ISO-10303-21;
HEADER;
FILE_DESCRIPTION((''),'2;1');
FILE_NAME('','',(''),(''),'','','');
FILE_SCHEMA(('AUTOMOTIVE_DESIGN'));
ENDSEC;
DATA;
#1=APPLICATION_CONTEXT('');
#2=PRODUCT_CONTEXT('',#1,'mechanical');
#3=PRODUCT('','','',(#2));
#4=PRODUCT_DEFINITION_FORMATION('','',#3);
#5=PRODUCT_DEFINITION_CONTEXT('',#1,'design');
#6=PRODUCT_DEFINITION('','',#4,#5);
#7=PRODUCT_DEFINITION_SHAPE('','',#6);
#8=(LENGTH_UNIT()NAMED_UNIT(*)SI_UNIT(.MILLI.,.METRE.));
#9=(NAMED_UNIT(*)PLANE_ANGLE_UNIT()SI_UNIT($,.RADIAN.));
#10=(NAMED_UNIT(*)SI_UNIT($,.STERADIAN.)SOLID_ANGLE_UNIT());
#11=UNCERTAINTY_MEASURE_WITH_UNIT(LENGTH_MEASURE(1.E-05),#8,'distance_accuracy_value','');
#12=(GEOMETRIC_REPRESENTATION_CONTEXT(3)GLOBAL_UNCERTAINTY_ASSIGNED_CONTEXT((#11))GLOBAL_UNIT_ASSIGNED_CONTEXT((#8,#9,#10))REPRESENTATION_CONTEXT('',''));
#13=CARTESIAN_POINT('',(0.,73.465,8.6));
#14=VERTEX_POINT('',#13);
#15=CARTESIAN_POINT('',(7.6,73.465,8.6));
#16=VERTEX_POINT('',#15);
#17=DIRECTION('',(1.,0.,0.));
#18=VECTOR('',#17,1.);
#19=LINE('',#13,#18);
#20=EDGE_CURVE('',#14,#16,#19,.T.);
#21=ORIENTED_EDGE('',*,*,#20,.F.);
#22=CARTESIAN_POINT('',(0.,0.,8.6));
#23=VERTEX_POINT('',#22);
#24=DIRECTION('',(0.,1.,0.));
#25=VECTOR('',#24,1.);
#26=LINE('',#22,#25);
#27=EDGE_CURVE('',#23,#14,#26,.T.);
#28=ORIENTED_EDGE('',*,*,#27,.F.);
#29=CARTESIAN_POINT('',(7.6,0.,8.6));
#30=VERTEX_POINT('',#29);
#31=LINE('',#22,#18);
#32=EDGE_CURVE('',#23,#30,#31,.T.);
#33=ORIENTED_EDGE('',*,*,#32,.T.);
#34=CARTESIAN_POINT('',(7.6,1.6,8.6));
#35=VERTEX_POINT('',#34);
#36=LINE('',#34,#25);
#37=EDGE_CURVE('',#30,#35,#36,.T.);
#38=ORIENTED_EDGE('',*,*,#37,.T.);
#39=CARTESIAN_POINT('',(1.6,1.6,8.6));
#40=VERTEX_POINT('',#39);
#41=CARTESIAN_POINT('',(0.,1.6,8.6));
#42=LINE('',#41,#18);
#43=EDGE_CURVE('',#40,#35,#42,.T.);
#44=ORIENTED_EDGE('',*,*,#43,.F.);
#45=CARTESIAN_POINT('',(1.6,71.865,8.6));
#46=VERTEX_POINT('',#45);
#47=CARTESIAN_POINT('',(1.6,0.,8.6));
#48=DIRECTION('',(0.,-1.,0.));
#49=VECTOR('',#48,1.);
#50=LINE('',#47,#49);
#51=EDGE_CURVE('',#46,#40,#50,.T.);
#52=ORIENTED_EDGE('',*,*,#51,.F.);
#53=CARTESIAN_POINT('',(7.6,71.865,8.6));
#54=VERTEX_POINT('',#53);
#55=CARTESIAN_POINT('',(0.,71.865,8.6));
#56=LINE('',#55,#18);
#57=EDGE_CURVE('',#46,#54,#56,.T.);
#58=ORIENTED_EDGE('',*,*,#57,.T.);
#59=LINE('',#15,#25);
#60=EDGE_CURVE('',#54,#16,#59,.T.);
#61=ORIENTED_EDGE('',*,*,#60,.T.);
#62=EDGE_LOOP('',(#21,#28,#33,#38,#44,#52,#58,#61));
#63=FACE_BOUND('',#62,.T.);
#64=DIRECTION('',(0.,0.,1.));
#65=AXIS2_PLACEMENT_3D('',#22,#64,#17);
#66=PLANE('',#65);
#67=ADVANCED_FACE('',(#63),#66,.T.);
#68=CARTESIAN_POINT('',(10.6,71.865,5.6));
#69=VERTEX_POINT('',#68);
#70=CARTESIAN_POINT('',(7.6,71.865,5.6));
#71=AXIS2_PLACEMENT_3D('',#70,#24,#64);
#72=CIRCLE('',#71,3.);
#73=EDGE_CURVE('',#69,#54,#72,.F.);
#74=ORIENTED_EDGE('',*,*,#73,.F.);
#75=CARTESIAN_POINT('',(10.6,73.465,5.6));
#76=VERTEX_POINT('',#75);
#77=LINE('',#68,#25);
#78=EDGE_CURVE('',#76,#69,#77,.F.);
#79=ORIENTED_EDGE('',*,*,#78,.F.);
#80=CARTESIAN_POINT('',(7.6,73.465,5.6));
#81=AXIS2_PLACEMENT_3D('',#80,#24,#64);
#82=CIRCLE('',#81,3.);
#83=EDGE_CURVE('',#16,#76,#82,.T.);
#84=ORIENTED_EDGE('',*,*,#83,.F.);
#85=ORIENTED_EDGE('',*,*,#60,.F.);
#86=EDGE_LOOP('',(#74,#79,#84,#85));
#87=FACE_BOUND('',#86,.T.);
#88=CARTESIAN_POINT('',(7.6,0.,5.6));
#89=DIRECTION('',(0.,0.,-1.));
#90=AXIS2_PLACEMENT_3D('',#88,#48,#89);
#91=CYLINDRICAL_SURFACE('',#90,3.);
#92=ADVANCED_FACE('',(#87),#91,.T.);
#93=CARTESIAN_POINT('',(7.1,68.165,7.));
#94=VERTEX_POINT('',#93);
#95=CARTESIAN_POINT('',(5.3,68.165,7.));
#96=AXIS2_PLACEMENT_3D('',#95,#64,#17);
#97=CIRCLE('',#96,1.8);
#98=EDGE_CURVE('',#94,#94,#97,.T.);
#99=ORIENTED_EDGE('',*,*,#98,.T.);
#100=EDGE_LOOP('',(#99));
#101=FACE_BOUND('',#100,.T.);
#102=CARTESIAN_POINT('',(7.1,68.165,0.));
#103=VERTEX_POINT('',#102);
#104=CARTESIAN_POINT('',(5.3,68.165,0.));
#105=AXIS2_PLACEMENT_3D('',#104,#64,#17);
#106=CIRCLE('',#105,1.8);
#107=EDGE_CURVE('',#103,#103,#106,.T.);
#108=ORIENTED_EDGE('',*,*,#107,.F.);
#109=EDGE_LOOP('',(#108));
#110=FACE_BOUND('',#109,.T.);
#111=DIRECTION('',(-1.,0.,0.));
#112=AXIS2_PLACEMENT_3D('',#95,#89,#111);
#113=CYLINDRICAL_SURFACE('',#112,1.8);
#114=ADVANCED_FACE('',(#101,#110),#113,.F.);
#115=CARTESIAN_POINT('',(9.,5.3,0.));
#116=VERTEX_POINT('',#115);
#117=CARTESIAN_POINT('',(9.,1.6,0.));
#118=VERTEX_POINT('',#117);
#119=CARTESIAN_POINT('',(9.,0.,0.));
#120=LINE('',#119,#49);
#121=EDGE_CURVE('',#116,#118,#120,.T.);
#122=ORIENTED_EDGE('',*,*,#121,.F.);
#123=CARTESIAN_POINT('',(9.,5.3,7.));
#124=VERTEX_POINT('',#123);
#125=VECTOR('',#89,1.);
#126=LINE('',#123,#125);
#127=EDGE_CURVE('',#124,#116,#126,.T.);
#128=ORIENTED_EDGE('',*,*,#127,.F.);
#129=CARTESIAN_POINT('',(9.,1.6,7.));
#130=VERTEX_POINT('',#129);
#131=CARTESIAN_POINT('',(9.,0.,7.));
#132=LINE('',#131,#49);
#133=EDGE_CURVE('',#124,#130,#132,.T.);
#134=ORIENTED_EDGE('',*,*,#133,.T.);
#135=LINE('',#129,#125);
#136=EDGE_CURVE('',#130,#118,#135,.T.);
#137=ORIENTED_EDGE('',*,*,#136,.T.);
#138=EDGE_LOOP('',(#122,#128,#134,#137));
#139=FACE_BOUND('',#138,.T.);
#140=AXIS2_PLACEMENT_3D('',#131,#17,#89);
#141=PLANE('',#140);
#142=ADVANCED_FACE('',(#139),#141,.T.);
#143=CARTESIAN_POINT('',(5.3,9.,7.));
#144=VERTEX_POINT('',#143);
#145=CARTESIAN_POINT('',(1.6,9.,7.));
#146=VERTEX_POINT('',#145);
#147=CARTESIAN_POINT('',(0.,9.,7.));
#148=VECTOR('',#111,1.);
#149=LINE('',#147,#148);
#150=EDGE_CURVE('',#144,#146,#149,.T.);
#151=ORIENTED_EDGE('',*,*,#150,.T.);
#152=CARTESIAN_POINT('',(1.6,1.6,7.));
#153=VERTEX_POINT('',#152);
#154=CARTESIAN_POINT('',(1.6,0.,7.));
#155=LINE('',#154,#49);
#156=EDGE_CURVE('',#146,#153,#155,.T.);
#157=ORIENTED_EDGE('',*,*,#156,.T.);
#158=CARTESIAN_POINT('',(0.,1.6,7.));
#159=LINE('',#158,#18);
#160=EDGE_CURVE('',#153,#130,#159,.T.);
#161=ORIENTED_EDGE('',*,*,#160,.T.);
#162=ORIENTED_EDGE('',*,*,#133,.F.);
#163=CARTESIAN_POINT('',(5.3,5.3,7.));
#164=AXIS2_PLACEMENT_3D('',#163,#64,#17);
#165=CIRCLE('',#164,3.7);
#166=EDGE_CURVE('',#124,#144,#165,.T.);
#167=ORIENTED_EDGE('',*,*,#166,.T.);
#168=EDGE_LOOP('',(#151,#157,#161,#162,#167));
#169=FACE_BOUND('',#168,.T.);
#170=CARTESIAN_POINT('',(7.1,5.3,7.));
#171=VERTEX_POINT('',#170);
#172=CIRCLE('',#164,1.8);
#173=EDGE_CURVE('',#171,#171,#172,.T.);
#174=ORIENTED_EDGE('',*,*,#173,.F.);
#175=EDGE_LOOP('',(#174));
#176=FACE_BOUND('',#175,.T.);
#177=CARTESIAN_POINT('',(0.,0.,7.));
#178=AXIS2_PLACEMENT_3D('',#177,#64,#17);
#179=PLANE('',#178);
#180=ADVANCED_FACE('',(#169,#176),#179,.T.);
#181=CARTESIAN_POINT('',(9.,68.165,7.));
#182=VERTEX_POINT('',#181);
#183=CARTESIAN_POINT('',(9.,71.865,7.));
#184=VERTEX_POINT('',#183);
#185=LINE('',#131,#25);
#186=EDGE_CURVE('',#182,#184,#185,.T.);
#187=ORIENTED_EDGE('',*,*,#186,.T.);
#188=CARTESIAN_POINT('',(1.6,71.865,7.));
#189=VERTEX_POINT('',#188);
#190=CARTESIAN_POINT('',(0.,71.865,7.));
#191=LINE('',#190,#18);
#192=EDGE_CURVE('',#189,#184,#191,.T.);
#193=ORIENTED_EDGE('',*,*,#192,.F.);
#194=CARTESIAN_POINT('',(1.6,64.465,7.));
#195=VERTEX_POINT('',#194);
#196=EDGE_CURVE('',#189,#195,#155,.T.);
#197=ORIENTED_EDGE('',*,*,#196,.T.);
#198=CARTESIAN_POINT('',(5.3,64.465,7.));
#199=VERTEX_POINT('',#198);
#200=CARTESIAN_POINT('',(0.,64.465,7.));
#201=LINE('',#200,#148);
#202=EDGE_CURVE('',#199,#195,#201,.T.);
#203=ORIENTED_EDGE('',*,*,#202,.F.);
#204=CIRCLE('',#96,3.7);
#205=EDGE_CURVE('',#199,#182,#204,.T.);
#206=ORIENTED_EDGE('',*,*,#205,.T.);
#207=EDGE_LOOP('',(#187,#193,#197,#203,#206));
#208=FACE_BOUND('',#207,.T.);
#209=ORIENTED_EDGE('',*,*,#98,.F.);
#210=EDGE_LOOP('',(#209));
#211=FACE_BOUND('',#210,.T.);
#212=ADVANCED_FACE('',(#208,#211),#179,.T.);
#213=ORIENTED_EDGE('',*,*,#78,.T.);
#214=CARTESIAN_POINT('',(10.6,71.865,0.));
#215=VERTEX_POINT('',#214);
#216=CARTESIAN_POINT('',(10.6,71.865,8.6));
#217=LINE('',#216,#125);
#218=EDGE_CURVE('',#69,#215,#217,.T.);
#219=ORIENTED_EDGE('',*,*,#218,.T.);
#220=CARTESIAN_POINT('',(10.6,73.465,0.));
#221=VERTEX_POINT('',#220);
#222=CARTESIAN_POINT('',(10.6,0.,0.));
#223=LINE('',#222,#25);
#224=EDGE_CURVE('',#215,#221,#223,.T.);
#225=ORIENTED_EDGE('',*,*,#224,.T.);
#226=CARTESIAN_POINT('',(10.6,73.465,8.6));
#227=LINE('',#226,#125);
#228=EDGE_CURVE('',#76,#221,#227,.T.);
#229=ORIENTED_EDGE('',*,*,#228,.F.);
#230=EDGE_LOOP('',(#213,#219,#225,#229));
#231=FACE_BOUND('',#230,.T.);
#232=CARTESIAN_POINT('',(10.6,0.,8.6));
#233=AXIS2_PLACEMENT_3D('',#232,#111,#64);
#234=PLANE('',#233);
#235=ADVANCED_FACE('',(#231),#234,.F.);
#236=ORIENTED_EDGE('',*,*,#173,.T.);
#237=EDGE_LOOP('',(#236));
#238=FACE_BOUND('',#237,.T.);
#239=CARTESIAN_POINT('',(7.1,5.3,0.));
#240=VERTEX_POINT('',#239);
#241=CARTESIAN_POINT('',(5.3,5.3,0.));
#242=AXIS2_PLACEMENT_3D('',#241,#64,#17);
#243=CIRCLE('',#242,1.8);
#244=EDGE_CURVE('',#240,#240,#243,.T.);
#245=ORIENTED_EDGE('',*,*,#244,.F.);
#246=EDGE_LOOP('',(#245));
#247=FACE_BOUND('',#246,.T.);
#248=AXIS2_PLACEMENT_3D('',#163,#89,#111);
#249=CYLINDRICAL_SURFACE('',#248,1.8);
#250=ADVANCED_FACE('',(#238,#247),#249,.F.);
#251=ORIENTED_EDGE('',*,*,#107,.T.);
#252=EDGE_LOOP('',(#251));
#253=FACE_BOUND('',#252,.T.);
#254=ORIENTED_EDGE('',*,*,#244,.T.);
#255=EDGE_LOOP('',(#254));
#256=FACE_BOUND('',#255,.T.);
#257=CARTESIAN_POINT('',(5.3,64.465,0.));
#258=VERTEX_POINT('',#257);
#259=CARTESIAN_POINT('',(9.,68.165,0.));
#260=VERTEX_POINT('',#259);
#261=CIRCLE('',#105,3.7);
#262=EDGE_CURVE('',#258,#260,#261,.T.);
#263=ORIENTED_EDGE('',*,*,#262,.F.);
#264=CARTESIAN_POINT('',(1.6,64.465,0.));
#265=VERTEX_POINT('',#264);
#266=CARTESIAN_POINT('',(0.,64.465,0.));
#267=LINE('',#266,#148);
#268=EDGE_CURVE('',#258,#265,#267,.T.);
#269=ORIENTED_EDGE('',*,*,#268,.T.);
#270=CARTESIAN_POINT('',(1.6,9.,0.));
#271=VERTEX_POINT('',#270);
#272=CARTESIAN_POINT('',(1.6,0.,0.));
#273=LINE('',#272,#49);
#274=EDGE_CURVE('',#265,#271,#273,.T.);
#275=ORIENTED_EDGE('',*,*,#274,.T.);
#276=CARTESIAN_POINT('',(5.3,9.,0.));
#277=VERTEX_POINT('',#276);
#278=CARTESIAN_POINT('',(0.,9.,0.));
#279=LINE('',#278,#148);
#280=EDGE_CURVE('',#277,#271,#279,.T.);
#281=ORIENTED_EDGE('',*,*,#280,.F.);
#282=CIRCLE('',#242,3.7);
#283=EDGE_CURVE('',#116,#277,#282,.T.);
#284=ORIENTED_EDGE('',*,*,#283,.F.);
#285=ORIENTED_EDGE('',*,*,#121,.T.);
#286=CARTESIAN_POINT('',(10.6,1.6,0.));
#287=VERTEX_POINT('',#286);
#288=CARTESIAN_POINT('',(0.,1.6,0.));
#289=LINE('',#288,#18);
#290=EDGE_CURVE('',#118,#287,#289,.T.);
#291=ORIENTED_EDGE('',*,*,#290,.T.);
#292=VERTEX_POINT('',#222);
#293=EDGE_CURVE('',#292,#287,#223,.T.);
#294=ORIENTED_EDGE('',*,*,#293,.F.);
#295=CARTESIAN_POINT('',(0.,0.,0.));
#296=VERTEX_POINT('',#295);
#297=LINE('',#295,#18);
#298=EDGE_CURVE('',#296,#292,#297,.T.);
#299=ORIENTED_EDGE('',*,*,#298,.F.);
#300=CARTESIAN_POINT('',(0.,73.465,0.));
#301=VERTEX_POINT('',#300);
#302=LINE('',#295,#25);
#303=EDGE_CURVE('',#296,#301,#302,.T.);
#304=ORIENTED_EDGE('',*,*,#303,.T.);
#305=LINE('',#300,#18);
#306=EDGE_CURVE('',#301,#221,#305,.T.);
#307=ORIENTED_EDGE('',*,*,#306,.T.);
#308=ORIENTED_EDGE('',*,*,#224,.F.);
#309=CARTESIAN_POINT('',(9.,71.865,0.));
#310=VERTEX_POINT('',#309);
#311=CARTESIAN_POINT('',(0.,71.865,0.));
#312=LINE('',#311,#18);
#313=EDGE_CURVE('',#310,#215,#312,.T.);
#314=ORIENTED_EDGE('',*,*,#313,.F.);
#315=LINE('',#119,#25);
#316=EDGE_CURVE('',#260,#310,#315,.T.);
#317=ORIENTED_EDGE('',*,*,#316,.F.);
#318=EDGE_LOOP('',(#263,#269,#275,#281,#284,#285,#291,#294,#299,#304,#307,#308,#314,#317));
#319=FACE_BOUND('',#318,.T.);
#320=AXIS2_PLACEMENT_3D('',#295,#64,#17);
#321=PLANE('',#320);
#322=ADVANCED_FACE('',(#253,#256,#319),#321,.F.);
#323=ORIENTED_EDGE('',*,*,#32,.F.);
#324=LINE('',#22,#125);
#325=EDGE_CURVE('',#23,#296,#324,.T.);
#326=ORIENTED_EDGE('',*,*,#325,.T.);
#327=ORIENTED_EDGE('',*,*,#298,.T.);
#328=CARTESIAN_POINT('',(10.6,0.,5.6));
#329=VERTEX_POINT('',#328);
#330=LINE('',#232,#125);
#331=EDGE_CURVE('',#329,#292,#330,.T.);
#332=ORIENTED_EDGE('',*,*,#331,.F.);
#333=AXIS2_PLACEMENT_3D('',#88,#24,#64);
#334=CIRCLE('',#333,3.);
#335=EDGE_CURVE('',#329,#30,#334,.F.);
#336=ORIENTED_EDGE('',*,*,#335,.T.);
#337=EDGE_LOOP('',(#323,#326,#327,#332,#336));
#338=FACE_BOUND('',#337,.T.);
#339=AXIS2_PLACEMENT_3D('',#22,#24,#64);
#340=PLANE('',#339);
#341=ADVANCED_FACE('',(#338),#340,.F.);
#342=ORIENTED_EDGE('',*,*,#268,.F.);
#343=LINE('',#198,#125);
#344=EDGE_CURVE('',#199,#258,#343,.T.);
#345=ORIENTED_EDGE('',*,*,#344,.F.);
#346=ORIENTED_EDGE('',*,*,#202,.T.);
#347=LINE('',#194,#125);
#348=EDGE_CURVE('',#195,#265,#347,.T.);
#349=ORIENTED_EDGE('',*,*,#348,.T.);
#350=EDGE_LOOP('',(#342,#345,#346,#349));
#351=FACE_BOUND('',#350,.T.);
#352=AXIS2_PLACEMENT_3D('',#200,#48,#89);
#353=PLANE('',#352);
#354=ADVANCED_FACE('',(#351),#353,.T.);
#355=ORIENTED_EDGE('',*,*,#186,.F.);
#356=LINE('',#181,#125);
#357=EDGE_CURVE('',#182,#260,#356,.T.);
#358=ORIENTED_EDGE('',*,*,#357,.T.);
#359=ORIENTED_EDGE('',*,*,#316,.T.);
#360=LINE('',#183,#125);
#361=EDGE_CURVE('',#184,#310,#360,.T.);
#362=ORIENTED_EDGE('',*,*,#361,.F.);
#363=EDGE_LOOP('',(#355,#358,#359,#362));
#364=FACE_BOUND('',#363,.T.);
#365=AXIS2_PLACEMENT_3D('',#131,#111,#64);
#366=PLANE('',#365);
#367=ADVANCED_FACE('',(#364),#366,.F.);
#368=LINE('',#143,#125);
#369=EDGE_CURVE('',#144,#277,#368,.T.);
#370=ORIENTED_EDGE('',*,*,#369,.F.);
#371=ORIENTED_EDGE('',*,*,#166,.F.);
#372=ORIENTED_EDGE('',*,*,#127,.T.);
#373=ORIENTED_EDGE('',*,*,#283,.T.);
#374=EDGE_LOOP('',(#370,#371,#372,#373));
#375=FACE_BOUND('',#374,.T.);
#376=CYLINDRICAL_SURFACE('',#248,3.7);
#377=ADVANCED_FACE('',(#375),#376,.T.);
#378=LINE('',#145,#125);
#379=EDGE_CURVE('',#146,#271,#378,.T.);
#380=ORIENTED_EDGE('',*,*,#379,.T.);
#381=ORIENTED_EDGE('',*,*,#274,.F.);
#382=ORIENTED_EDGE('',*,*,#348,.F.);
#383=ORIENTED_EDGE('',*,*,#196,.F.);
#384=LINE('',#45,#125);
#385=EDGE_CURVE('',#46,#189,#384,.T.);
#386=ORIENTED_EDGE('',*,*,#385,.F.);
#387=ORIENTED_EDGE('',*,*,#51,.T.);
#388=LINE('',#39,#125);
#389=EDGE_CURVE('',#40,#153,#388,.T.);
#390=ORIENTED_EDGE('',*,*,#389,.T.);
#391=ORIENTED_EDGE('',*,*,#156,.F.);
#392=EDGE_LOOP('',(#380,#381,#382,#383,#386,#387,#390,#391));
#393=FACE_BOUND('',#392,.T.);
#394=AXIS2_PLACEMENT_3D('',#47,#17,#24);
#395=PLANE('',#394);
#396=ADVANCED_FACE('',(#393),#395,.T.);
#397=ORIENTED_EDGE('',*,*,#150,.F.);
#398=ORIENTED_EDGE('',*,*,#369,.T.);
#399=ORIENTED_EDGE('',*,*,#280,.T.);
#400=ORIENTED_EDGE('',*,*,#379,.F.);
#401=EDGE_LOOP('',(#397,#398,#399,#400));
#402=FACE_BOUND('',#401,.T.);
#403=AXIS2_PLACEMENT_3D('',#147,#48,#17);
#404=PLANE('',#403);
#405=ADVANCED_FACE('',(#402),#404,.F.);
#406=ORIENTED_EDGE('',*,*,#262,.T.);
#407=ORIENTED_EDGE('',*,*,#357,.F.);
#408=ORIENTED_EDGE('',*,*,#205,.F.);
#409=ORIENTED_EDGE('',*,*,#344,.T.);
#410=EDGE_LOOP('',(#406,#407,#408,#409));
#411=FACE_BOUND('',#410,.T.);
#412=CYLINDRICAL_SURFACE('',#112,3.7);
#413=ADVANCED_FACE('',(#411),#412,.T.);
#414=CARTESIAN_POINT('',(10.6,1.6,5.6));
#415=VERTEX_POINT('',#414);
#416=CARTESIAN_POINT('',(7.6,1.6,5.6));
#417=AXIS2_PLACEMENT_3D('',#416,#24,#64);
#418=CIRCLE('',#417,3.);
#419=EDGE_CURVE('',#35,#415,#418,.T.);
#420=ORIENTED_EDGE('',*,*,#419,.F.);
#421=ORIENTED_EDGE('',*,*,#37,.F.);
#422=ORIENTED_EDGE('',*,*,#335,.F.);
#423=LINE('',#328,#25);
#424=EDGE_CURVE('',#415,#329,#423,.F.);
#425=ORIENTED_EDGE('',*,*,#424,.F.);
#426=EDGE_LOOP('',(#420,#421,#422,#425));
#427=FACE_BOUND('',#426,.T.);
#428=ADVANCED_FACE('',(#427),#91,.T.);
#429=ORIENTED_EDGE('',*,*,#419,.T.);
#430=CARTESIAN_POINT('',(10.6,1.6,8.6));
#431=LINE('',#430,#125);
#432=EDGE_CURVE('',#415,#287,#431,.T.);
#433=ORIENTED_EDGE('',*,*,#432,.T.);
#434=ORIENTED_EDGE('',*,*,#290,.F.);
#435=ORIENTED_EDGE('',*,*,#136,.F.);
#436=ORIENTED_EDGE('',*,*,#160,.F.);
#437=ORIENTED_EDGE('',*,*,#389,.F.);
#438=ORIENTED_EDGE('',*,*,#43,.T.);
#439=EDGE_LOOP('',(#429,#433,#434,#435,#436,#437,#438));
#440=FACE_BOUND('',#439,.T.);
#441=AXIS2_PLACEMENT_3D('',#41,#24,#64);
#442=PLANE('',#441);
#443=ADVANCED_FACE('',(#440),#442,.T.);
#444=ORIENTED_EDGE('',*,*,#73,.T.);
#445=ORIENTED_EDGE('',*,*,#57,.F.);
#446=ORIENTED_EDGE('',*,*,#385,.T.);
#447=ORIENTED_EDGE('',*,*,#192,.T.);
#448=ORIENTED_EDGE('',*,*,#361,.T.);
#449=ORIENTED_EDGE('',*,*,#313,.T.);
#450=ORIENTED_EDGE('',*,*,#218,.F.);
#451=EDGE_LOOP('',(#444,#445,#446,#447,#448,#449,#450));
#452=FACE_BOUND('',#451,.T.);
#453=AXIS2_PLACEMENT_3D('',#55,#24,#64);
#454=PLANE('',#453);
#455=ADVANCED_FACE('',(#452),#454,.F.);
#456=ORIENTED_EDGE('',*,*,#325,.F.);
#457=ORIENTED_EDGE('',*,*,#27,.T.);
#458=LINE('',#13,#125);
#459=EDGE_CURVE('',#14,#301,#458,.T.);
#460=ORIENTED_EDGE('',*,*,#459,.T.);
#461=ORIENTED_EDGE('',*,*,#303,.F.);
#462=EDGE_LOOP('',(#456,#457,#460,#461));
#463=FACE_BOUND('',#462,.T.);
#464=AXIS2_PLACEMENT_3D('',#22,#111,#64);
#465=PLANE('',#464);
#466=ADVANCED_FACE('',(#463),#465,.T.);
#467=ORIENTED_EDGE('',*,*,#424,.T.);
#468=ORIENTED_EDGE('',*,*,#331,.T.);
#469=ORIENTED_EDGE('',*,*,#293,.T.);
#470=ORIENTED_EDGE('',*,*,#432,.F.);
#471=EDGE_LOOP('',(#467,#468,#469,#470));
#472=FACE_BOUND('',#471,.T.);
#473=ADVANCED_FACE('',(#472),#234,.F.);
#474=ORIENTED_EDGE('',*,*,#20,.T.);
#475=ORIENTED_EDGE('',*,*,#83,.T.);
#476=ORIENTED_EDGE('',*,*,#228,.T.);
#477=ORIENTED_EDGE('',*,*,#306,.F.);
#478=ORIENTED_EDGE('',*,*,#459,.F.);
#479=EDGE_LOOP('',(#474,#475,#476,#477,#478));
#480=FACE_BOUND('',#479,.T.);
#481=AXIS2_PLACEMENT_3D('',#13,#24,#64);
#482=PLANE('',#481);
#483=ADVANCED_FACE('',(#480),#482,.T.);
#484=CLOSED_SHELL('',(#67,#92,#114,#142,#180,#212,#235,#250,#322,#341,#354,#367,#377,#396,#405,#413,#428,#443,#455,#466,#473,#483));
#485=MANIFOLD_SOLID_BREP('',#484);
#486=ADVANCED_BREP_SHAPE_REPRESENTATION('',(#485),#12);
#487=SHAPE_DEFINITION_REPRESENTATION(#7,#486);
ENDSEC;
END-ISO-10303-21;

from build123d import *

# Parameters (mm, degrees)
SKETCH_1_R        = 1.8
EXTRUDE_1_DEPTH   = 7
EXTRUDE_1_2_DEPTH = 7
EXTRUDE_2_DEPTH   = 8.6
FILLET_1_R        = 3


with BuildPart() as part:
    # Эскиз1 → Бобышка-Вытянуть1 (new body)
    with BuildSketch(Plane.XY):
        with BuildLine():
            ThreePointArc((9, 5.3), (7.91629509, 7.91629509), (5.3, 9))
            Line((5.3, 9), (1.6, 9))
            Line((1.6, 9), (1.6, 1.6))
            Line((1.6, 1.6), (9, 1.6))
            Line((9, 1.6), (9, 5.3))
        make_face()
        with Locations((5.3, 5.3)):
            Circle(SKETCH_1_R, mode=Mode.SUBTRACT)
    extrude(amount=EXTRUDE_1_DEPTH)



with BuildPart() as body_2:
    # Эскиз1 → Extrude 1 2 (new body)
    with BuildSketch(Plane.XY):
        with BuildLine():
            Line((1.6, 64.465), (5.3, 64.465))
            ThreePointArc((5.3, 64.465), (7.91629509, 65.54870491), (9, 68.165))
            Line((9, 68.165), (9, 71.865))
            Line((9, 71.865), (1.6, 71.865))
            Line((1.6, 71.865), (1.6, 64.465))
        make_face()
        with Locations((5.3, 68.165)):
            Circle(SKETCH_1_R, mode=Mode.SUBTRACT)
    extrude(amount=EXTRUDE_1_2_DEPTH)


with BuildPart() as part_1:
    add(part.part)

    add(body_2.part)  # Бобышка-Вытянуть2 merges body 2
    # Эскиз1<3> → Бобышка-Вытянуть2 (add)
    with BuildSketch(Plane.XY):
        Polygon((1.6, 71.865), (10.6, 71.865), (10.6, 73.465), (0, 73.465), (0, 0), (10.6, 0), (10.6, 1.6), (1.6, 1.6), align=None)
    extrude(amount=EXTRUDE_2_DEPTH)

    # Скругление1
    fillet_1_edges = [part_1.edges().sort_by_distance(p)[0] for p in [
        (10.6, 0.8, 8.6),
        (10.6, 72.665, 8.6),
    ]]
    fillet(fillet_1_edges, radius=FILLET_1_R)


solid = part_1.part
